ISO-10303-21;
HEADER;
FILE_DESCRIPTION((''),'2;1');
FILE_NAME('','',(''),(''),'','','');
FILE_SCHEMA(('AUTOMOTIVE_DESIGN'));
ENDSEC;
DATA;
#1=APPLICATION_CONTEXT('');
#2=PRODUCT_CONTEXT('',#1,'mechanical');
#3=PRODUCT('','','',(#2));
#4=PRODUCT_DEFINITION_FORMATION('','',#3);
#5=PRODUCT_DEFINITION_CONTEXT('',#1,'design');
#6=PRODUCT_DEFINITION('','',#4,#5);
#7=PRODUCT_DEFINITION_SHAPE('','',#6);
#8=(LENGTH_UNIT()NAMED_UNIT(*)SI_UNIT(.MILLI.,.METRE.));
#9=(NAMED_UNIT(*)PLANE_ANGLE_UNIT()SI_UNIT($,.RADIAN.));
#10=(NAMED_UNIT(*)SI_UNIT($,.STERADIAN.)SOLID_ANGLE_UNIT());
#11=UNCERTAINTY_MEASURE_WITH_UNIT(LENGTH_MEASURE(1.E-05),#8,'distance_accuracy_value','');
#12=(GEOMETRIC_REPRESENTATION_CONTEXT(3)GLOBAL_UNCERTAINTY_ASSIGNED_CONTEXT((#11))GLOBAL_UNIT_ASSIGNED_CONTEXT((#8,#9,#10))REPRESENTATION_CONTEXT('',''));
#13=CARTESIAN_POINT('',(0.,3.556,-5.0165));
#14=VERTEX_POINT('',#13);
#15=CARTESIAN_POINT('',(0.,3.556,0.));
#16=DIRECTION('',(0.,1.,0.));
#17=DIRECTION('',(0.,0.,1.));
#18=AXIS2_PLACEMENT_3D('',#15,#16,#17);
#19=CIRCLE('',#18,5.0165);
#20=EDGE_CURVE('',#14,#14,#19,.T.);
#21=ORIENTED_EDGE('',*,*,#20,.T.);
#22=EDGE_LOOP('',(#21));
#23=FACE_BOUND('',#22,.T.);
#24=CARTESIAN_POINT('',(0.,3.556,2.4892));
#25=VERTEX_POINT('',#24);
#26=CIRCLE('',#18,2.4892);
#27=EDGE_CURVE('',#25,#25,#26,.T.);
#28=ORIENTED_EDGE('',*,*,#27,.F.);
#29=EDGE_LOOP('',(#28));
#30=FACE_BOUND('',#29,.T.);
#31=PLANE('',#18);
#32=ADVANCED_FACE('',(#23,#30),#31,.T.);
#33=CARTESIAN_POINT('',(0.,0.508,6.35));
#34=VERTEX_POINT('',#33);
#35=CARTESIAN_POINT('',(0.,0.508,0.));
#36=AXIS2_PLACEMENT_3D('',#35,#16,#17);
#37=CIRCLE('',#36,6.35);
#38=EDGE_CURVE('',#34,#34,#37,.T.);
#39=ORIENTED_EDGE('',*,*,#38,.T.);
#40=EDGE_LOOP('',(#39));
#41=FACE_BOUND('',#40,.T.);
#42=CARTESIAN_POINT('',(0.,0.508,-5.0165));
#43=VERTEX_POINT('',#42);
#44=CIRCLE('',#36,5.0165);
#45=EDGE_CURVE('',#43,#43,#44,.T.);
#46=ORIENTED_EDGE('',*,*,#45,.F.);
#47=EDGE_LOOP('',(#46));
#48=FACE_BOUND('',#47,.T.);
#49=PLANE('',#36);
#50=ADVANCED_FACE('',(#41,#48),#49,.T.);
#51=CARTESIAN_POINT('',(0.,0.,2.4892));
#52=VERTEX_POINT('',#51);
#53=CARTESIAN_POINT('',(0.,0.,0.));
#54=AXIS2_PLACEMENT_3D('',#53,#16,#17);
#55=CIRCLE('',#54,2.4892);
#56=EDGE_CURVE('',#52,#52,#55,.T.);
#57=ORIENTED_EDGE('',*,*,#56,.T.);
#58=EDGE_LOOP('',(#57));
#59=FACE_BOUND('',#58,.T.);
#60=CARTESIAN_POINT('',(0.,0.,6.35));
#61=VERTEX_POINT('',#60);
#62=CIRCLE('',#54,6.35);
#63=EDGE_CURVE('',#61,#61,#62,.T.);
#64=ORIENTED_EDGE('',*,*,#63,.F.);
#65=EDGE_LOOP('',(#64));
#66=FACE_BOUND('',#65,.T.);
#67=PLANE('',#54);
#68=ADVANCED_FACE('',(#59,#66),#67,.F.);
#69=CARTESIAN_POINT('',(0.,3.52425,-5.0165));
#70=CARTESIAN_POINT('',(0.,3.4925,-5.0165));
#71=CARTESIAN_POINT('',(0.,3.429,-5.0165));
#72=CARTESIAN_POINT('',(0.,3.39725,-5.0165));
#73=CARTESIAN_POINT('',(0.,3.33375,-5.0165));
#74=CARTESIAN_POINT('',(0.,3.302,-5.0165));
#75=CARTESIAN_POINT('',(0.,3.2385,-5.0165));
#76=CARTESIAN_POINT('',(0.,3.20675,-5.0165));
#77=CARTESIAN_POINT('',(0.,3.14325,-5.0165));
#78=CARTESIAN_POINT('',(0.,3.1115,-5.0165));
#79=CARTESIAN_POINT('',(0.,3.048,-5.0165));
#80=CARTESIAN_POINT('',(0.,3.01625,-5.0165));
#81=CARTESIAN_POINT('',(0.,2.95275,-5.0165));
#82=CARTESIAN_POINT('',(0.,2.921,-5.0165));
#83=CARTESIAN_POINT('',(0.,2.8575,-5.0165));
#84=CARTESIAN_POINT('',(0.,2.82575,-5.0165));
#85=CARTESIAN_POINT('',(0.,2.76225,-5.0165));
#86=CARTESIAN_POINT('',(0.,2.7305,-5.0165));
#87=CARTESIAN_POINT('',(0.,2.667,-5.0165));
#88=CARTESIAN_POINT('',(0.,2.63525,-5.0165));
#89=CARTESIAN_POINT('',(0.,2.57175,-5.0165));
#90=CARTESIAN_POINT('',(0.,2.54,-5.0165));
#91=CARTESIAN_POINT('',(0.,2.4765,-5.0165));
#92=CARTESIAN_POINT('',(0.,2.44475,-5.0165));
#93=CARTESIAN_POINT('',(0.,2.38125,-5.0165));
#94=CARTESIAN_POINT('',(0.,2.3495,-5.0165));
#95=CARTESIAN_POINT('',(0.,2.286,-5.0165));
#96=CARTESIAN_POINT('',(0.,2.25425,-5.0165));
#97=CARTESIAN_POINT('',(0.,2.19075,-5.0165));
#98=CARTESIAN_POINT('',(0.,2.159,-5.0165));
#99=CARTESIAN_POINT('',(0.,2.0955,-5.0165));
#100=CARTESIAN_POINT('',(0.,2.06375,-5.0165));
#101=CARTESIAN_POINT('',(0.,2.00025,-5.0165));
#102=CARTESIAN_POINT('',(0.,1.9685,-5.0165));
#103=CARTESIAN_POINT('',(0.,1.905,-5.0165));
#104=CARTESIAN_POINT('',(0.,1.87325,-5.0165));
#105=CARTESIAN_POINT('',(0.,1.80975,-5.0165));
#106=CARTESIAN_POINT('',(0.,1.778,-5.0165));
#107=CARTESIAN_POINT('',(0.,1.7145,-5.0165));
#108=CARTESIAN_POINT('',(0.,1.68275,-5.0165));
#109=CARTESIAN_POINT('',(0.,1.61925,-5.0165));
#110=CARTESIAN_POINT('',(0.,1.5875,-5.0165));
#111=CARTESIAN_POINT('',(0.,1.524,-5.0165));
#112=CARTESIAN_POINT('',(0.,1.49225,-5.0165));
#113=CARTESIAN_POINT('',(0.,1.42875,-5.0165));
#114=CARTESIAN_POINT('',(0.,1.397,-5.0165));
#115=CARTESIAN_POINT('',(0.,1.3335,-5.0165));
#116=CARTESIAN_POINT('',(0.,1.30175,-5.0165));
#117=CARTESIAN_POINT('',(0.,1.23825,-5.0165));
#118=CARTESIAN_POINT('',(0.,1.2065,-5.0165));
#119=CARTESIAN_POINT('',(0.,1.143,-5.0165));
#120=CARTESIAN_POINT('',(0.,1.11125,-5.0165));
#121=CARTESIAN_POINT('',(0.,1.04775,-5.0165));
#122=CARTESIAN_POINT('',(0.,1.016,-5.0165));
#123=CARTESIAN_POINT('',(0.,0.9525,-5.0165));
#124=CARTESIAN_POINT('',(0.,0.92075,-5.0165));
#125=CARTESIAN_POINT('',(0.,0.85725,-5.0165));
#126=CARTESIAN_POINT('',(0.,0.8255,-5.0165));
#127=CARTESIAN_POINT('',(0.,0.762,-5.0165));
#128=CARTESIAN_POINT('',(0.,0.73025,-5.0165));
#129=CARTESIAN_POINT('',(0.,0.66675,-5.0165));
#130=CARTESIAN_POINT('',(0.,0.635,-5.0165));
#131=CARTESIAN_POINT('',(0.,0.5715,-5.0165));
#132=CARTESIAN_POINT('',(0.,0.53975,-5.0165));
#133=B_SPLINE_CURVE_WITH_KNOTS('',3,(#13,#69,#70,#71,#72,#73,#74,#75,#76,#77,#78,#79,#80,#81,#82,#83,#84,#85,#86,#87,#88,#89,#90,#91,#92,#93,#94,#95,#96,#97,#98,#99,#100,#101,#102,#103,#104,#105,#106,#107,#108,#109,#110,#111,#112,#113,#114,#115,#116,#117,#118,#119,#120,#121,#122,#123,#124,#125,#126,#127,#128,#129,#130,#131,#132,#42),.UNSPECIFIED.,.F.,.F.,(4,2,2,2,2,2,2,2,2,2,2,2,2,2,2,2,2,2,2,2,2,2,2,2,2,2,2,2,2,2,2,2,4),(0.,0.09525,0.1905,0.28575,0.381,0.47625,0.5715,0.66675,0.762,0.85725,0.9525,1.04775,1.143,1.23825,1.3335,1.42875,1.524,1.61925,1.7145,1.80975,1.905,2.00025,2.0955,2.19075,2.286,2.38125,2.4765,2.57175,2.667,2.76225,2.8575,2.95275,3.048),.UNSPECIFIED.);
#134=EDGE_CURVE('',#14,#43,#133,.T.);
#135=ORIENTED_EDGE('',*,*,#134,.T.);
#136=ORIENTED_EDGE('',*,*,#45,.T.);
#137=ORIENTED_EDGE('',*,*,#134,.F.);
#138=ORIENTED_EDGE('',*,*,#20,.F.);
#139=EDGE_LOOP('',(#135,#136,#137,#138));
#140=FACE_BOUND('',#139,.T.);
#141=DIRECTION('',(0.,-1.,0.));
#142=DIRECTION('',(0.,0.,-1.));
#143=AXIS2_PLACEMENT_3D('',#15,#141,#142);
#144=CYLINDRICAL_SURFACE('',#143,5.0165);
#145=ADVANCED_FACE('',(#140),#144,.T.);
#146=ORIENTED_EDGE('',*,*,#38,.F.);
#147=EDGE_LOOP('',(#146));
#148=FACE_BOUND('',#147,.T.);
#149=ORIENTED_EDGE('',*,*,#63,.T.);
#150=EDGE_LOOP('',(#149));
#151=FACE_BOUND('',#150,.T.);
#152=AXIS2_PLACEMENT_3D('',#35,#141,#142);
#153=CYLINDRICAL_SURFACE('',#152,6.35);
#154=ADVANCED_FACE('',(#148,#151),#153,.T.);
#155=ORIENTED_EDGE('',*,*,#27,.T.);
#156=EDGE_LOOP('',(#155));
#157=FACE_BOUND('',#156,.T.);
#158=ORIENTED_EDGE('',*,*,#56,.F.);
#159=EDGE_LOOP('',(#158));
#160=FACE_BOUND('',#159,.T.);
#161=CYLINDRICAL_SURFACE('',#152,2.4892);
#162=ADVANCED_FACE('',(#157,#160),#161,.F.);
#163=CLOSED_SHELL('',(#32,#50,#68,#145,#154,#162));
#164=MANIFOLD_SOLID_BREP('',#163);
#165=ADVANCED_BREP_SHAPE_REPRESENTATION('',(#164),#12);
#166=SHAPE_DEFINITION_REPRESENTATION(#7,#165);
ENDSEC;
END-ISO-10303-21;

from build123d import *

# Parameters (mm, degrees)
SKETCH1_R           = 6.35
SKETCH1_R_2         = 2.4892
BOSS_EXTRUDE1_DEPTH = 0.508
SKETCH2_R           = 5.0165
SKETCH2_R_2         = 2.4892
BOSS_EXTRUDE2_DEPTH = 3.048


with BuildPart() as part:
    # Sketch1 → Boss-Extrude1 (new body)
    with BuildSketch(Plane(origin=(0, 0, 0), x_dir=(1, 0, 0), z_dir=(0, 1, 0))):
        with Locations(Location((0, 0, 0), (0, 0, 270))):
            Circle(SKETCH1_R)
        with Locations(Location((0, 0, 0), (0, 0, 270))):
            Circle(SKETCH1_R_2, mode=Mode.SUBTRACT)
    extrude(amount=BOSS_EXTRUDE1_DEPTH)

    # Sketch2 → Boss-Extrude2 (add)
    with BuildSketch(Plane(origin=(0, 0.508, 0), x_dir=(1, 0, 0), z_dir=(0, 1, 0))):
        with Locations(Location((0, 0, 0), (0, 0, 90))):
            Circle(SKETCH2_R)
        with Locations(Location((0, 0, 0), (0, 0, 270))):
            Circle(SKETCH2_R_2, mode=Mode.SUBTRACT)
    extrude(amount=BOSS_EXTRUDE2_DEPTH)


solid = part.part
